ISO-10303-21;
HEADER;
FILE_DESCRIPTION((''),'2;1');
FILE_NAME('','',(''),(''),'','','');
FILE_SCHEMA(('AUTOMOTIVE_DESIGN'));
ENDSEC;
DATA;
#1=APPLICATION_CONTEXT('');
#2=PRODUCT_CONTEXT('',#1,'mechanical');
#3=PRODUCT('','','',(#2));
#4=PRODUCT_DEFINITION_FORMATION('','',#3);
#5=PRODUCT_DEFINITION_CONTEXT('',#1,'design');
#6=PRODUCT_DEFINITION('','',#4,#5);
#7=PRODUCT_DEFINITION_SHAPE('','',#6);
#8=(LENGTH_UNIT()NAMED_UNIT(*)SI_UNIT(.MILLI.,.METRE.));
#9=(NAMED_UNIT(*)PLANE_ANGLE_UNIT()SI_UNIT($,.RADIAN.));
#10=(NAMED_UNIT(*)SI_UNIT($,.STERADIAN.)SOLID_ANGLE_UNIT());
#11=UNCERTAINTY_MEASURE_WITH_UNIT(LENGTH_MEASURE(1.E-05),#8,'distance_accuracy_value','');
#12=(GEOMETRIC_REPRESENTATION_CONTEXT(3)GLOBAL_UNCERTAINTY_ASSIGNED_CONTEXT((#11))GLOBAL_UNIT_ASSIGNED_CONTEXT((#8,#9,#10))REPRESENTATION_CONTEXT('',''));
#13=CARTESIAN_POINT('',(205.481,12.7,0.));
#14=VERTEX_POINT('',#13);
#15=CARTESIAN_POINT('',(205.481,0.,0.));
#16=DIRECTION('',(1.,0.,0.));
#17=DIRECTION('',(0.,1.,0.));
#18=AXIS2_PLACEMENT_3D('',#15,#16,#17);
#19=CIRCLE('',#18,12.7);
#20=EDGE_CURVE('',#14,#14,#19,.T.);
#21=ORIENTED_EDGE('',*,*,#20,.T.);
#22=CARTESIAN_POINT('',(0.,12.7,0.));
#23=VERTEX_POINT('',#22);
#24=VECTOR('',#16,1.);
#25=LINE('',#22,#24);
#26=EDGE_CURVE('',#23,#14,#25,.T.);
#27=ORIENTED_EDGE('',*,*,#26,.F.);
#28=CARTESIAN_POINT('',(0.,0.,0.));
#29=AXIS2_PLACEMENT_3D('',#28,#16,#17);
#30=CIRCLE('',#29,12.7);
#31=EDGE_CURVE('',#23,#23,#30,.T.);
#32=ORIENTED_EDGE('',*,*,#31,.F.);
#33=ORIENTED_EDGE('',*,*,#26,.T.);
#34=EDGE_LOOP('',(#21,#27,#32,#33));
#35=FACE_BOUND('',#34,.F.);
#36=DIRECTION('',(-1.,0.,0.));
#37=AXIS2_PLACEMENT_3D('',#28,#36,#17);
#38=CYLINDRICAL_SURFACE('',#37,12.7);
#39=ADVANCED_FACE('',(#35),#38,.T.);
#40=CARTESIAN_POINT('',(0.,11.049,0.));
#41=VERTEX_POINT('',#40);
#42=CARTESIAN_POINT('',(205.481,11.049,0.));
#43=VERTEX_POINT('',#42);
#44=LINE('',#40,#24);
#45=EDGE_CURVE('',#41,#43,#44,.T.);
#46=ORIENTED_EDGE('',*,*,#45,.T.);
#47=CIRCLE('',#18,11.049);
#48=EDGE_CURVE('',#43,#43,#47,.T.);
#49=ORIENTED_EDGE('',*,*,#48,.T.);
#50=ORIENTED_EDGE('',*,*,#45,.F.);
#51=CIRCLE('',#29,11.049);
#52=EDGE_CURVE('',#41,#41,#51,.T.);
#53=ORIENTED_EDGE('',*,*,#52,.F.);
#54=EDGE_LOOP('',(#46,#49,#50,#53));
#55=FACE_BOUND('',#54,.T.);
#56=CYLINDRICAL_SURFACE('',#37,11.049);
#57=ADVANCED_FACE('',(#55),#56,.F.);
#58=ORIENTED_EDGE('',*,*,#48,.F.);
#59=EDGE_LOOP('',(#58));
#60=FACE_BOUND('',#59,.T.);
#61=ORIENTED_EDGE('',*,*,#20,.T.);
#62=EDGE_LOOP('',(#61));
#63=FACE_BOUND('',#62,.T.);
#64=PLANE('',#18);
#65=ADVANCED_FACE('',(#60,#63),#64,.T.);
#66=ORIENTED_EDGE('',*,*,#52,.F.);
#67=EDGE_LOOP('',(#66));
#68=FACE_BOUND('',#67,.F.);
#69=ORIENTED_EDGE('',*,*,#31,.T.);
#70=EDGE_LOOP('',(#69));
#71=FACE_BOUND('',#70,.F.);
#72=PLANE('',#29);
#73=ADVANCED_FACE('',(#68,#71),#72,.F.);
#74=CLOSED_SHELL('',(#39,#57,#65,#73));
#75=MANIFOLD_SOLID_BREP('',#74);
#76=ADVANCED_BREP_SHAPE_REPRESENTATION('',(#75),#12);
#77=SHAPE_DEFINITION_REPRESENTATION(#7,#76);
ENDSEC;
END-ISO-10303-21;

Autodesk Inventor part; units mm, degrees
ref_plane "XZ Plane" through (0, 0, 0) normal (0, 1, 0) x (-1, 0, 0)
ref_plane "Start Plane" through (0, 0, 0) normal (1, 0, 0) x (0, 1, 0)
ref_plane "End Plane" through (205.481, 0, 0) normal (1, 0, 0) x (0, 1, 0)
sketch "Sketch" plane through (0, 0, 0) normal (1, 0, 0) x (0, 1, 0)
  circle A0 centre (0, 0) radius 12.7
  circle A1 centre (0, 0) radius 11.049
  dimension "d0" = 25.4
  dimension "d1" = 1.651
extrude "Body" add sketch "Sketch" along normal up to surface (205.481 mm away) from surface at 0
sketch "Sketch2" plane through (0, 0, 0) normal (1, 0, 0) x (0, 1, 0)
  line L0 (0, 0) -> (10, 0)
ref_plane "Work Plane3" through (0, 0, 0) normal (0, 0, -1) x (0, 1, 0)
sketch "Sketch3" plane through (0, 0, 0) normal (0, 0, -1) x (0, 1, 0)
  line L0 (-2, 0) -> (12, 0)
  line L1 (-2, 205.481) -> (12, 205.481)
  dimension "d9" = 205.4811
equation "\"G_OFFSET_START\" = 0"
equation "\"G_OFFSET_END\" = 0"
equation "\"d5\" = d2 + G_OFFSET_END"
equation "\"G_L\" = d9"
equation "\"d2\" = 205.48105"
properties part number "4130_1x0.065" material "Steel, Alloy"
